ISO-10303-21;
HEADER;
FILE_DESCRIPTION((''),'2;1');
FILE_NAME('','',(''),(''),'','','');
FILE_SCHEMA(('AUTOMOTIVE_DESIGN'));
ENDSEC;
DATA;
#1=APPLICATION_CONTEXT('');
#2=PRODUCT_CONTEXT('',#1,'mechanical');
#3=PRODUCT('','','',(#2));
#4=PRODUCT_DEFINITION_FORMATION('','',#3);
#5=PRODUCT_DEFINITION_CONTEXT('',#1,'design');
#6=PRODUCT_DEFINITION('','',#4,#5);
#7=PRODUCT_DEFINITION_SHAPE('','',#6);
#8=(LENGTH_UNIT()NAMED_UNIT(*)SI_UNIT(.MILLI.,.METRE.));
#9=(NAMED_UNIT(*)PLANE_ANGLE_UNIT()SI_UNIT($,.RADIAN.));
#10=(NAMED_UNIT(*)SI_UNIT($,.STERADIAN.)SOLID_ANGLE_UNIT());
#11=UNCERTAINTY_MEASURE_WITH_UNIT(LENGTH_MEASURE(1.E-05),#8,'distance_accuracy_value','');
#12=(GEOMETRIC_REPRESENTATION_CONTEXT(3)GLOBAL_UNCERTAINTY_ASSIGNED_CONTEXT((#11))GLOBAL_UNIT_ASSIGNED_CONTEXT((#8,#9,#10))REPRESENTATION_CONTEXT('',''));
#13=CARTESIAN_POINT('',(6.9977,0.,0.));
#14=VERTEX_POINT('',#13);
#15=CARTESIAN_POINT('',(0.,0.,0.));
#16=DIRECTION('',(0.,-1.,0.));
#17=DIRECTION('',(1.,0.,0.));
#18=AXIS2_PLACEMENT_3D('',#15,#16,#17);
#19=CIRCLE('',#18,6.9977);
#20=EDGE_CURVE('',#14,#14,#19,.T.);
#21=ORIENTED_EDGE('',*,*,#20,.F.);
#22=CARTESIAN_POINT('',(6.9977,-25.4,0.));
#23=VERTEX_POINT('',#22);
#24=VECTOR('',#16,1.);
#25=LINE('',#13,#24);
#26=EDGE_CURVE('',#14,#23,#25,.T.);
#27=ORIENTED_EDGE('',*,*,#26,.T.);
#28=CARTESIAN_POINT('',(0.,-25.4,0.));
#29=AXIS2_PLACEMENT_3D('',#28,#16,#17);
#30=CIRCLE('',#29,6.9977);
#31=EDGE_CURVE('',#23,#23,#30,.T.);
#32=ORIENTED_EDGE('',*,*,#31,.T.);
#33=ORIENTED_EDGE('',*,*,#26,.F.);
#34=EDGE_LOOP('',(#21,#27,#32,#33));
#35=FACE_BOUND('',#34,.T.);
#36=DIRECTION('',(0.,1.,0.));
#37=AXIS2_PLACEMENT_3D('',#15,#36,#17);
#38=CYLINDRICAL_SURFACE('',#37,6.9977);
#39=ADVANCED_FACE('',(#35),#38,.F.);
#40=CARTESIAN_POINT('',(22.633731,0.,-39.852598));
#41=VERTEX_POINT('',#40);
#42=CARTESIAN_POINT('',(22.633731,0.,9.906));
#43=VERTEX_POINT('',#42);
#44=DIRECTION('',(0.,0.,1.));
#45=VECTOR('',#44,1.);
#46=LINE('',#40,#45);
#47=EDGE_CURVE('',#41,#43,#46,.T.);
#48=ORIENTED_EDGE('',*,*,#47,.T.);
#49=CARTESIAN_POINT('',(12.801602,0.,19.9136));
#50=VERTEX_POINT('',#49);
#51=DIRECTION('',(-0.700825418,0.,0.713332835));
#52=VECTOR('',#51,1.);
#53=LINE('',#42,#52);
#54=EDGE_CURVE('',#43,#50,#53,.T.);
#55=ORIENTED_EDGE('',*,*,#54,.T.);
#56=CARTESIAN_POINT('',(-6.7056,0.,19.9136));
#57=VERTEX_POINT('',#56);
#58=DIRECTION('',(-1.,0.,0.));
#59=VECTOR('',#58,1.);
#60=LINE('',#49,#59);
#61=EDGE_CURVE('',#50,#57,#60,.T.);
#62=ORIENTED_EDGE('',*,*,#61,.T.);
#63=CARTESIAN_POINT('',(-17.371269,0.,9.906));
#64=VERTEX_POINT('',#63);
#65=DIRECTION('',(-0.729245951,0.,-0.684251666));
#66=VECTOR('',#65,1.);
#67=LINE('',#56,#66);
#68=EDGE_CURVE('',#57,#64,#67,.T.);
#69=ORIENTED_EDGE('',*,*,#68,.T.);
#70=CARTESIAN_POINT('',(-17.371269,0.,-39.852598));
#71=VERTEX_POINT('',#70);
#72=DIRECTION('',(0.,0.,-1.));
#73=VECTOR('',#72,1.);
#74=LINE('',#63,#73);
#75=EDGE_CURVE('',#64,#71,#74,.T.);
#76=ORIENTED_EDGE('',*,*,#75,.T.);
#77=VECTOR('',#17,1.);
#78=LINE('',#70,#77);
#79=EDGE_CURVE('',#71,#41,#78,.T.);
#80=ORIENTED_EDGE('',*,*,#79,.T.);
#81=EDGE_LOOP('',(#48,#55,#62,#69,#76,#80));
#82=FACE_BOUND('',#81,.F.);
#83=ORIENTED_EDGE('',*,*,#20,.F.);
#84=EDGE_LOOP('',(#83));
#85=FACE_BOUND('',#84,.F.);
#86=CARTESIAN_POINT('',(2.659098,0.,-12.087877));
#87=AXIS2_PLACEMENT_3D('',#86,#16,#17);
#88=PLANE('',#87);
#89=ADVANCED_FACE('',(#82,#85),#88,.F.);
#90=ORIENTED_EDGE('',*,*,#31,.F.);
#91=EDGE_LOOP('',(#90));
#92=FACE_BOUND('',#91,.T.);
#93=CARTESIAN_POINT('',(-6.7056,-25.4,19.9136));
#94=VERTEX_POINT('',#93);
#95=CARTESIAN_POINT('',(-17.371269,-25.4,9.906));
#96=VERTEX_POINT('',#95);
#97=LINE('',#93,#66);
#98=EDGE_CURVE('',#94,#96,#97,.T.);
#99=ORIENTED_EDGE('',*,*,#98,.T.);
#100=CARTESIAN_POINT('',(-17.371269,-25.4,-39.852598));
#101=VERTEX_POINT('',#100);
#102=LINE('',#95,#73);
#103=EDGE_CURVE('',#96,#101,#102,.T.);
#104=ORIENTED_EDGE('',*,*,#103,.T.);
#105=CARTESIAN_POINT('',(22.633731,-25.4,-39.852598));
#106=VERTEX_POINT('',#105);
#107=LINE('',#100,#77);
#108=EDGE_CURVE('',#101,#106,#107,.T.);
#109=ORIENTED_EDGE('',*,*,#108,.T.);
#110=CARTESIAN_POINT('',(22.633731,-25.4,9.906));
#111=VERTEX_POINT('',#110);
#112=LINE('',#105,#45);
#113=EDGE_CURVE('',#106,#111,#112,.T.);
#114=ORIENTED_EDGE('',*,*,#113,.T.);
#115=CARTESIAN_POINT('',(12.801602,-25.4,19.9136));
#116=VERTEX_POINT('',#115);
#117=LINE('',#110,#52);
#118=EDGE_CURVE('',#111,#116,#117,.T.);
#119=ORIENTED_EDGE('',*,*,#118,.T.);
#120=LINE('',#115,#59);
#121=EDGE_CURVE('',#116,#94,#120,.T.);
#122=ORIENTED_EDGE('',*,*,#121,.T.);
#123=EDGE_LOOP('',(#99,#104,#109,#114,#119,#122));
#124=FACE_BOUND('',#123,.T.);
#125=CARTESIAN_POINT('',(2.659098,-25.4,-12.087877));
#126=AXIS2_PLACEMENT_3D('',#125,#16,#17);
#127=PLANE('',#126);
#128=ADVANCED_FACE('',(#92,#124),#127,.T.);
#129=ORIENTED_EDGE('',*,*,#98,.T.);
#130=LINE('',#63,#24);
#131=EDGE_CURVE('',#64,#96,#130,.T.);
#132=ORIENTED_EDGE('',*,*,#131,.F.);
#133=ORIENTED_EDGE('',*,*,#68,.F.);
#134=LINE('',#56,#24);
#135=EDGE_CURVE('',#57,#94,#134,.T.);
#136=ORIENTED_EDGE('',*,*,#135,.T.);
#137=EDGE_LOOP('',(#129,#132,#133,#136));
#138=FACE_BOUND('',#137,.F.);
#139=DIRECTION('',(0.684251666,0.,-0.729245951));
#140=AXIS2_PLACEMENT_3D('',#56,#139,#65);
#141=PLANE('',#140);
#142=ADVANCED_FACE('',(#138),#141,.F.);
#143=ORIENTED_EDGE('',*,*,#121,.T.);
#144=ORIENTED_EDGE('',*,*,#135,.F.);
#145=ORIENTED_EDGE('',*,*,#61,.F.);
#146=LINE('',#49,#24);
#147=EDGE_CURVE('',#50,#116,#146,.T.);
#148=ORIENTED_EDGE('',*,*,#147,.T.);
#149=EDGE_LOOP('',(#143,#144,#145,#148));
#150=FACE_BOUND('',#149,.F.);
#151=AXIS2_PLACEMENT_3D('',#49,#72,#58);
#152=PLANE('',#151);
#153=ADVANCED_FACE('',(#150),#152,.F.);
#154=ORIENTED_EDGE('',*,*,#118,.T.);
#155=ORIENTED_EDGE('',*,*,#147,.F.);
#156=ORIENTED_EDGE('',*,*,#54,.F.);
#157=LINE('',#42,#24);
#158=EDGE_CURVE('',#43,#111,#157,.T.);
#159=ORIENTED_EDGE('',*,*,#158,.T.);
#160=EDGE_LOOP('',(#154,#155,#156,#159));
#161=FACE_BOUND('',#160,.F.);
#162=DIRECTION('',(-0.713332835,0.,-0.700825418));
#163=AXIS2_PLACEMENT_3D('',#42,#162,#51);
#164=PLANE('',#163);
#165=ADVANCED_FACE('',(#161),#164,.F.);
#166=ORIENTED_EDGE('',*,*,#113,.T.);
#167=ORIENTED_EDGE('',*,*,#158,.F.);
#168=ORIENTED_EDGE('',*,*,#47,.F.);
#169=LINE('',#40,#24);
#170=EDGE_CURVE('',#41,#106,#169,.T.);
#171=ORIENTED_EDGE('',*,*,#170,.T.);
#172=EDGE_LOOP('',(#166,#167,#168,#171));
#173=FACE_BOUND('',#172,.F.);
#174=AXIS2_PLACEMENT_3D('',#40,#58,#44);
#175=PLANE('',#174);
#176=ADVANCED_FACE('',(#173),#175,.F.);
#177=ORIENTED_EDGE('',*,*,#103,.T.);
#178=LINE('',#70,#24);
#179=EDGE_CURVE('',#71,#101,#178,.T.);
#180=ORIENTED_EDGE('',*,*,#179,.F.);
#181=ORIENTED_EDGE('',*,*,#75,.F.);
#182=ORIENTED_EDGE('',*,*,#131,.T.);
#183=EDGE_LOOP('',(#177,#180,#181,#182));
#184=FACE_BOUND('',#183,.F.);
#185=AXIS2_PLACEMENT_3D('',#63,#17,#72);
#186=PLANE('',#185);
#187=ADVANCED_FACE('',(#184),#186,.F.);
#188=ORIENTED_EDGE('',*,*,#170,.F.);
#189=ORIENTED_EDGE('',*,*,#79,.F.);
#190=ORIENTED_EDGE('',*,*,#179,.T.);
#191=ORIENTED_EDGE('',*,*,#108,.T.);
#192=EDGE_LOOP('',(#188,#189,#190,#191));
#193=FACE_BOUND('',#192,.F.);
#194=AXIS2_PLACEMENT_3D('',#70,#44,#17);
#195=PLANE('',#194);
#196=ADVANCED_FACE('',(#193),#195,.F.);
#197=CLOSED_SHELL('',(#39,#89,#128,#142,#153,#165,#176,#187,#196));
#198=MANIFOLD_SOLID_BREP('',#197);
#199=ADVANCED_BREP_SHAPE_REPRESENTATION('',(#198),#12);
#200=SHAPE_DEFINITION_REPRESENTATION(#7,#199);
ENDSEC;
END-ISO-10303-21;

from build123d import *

# Parameters (mm, degrees)
F0_R     = 6.9977
F1_DEPTH = 25.4


with BuildPart() as f1:
    # F0 (on Front) → F1 (new body)
    with BuildSketch(Plane.XZ):
        Polygon((-6.7056, 19.9136), (-17.371269, 9.906), (-17.371269, -39.852598), (22.633731, -39.852598), (22.633731, -37.0332), (22.633731, 9.906), (12.801602, 19.9136), align=None)
        Circle(F0_R, mode=Mode.SUBTRACT)
    extrude(amount=F1_DEPTH)


solid = f1.part
